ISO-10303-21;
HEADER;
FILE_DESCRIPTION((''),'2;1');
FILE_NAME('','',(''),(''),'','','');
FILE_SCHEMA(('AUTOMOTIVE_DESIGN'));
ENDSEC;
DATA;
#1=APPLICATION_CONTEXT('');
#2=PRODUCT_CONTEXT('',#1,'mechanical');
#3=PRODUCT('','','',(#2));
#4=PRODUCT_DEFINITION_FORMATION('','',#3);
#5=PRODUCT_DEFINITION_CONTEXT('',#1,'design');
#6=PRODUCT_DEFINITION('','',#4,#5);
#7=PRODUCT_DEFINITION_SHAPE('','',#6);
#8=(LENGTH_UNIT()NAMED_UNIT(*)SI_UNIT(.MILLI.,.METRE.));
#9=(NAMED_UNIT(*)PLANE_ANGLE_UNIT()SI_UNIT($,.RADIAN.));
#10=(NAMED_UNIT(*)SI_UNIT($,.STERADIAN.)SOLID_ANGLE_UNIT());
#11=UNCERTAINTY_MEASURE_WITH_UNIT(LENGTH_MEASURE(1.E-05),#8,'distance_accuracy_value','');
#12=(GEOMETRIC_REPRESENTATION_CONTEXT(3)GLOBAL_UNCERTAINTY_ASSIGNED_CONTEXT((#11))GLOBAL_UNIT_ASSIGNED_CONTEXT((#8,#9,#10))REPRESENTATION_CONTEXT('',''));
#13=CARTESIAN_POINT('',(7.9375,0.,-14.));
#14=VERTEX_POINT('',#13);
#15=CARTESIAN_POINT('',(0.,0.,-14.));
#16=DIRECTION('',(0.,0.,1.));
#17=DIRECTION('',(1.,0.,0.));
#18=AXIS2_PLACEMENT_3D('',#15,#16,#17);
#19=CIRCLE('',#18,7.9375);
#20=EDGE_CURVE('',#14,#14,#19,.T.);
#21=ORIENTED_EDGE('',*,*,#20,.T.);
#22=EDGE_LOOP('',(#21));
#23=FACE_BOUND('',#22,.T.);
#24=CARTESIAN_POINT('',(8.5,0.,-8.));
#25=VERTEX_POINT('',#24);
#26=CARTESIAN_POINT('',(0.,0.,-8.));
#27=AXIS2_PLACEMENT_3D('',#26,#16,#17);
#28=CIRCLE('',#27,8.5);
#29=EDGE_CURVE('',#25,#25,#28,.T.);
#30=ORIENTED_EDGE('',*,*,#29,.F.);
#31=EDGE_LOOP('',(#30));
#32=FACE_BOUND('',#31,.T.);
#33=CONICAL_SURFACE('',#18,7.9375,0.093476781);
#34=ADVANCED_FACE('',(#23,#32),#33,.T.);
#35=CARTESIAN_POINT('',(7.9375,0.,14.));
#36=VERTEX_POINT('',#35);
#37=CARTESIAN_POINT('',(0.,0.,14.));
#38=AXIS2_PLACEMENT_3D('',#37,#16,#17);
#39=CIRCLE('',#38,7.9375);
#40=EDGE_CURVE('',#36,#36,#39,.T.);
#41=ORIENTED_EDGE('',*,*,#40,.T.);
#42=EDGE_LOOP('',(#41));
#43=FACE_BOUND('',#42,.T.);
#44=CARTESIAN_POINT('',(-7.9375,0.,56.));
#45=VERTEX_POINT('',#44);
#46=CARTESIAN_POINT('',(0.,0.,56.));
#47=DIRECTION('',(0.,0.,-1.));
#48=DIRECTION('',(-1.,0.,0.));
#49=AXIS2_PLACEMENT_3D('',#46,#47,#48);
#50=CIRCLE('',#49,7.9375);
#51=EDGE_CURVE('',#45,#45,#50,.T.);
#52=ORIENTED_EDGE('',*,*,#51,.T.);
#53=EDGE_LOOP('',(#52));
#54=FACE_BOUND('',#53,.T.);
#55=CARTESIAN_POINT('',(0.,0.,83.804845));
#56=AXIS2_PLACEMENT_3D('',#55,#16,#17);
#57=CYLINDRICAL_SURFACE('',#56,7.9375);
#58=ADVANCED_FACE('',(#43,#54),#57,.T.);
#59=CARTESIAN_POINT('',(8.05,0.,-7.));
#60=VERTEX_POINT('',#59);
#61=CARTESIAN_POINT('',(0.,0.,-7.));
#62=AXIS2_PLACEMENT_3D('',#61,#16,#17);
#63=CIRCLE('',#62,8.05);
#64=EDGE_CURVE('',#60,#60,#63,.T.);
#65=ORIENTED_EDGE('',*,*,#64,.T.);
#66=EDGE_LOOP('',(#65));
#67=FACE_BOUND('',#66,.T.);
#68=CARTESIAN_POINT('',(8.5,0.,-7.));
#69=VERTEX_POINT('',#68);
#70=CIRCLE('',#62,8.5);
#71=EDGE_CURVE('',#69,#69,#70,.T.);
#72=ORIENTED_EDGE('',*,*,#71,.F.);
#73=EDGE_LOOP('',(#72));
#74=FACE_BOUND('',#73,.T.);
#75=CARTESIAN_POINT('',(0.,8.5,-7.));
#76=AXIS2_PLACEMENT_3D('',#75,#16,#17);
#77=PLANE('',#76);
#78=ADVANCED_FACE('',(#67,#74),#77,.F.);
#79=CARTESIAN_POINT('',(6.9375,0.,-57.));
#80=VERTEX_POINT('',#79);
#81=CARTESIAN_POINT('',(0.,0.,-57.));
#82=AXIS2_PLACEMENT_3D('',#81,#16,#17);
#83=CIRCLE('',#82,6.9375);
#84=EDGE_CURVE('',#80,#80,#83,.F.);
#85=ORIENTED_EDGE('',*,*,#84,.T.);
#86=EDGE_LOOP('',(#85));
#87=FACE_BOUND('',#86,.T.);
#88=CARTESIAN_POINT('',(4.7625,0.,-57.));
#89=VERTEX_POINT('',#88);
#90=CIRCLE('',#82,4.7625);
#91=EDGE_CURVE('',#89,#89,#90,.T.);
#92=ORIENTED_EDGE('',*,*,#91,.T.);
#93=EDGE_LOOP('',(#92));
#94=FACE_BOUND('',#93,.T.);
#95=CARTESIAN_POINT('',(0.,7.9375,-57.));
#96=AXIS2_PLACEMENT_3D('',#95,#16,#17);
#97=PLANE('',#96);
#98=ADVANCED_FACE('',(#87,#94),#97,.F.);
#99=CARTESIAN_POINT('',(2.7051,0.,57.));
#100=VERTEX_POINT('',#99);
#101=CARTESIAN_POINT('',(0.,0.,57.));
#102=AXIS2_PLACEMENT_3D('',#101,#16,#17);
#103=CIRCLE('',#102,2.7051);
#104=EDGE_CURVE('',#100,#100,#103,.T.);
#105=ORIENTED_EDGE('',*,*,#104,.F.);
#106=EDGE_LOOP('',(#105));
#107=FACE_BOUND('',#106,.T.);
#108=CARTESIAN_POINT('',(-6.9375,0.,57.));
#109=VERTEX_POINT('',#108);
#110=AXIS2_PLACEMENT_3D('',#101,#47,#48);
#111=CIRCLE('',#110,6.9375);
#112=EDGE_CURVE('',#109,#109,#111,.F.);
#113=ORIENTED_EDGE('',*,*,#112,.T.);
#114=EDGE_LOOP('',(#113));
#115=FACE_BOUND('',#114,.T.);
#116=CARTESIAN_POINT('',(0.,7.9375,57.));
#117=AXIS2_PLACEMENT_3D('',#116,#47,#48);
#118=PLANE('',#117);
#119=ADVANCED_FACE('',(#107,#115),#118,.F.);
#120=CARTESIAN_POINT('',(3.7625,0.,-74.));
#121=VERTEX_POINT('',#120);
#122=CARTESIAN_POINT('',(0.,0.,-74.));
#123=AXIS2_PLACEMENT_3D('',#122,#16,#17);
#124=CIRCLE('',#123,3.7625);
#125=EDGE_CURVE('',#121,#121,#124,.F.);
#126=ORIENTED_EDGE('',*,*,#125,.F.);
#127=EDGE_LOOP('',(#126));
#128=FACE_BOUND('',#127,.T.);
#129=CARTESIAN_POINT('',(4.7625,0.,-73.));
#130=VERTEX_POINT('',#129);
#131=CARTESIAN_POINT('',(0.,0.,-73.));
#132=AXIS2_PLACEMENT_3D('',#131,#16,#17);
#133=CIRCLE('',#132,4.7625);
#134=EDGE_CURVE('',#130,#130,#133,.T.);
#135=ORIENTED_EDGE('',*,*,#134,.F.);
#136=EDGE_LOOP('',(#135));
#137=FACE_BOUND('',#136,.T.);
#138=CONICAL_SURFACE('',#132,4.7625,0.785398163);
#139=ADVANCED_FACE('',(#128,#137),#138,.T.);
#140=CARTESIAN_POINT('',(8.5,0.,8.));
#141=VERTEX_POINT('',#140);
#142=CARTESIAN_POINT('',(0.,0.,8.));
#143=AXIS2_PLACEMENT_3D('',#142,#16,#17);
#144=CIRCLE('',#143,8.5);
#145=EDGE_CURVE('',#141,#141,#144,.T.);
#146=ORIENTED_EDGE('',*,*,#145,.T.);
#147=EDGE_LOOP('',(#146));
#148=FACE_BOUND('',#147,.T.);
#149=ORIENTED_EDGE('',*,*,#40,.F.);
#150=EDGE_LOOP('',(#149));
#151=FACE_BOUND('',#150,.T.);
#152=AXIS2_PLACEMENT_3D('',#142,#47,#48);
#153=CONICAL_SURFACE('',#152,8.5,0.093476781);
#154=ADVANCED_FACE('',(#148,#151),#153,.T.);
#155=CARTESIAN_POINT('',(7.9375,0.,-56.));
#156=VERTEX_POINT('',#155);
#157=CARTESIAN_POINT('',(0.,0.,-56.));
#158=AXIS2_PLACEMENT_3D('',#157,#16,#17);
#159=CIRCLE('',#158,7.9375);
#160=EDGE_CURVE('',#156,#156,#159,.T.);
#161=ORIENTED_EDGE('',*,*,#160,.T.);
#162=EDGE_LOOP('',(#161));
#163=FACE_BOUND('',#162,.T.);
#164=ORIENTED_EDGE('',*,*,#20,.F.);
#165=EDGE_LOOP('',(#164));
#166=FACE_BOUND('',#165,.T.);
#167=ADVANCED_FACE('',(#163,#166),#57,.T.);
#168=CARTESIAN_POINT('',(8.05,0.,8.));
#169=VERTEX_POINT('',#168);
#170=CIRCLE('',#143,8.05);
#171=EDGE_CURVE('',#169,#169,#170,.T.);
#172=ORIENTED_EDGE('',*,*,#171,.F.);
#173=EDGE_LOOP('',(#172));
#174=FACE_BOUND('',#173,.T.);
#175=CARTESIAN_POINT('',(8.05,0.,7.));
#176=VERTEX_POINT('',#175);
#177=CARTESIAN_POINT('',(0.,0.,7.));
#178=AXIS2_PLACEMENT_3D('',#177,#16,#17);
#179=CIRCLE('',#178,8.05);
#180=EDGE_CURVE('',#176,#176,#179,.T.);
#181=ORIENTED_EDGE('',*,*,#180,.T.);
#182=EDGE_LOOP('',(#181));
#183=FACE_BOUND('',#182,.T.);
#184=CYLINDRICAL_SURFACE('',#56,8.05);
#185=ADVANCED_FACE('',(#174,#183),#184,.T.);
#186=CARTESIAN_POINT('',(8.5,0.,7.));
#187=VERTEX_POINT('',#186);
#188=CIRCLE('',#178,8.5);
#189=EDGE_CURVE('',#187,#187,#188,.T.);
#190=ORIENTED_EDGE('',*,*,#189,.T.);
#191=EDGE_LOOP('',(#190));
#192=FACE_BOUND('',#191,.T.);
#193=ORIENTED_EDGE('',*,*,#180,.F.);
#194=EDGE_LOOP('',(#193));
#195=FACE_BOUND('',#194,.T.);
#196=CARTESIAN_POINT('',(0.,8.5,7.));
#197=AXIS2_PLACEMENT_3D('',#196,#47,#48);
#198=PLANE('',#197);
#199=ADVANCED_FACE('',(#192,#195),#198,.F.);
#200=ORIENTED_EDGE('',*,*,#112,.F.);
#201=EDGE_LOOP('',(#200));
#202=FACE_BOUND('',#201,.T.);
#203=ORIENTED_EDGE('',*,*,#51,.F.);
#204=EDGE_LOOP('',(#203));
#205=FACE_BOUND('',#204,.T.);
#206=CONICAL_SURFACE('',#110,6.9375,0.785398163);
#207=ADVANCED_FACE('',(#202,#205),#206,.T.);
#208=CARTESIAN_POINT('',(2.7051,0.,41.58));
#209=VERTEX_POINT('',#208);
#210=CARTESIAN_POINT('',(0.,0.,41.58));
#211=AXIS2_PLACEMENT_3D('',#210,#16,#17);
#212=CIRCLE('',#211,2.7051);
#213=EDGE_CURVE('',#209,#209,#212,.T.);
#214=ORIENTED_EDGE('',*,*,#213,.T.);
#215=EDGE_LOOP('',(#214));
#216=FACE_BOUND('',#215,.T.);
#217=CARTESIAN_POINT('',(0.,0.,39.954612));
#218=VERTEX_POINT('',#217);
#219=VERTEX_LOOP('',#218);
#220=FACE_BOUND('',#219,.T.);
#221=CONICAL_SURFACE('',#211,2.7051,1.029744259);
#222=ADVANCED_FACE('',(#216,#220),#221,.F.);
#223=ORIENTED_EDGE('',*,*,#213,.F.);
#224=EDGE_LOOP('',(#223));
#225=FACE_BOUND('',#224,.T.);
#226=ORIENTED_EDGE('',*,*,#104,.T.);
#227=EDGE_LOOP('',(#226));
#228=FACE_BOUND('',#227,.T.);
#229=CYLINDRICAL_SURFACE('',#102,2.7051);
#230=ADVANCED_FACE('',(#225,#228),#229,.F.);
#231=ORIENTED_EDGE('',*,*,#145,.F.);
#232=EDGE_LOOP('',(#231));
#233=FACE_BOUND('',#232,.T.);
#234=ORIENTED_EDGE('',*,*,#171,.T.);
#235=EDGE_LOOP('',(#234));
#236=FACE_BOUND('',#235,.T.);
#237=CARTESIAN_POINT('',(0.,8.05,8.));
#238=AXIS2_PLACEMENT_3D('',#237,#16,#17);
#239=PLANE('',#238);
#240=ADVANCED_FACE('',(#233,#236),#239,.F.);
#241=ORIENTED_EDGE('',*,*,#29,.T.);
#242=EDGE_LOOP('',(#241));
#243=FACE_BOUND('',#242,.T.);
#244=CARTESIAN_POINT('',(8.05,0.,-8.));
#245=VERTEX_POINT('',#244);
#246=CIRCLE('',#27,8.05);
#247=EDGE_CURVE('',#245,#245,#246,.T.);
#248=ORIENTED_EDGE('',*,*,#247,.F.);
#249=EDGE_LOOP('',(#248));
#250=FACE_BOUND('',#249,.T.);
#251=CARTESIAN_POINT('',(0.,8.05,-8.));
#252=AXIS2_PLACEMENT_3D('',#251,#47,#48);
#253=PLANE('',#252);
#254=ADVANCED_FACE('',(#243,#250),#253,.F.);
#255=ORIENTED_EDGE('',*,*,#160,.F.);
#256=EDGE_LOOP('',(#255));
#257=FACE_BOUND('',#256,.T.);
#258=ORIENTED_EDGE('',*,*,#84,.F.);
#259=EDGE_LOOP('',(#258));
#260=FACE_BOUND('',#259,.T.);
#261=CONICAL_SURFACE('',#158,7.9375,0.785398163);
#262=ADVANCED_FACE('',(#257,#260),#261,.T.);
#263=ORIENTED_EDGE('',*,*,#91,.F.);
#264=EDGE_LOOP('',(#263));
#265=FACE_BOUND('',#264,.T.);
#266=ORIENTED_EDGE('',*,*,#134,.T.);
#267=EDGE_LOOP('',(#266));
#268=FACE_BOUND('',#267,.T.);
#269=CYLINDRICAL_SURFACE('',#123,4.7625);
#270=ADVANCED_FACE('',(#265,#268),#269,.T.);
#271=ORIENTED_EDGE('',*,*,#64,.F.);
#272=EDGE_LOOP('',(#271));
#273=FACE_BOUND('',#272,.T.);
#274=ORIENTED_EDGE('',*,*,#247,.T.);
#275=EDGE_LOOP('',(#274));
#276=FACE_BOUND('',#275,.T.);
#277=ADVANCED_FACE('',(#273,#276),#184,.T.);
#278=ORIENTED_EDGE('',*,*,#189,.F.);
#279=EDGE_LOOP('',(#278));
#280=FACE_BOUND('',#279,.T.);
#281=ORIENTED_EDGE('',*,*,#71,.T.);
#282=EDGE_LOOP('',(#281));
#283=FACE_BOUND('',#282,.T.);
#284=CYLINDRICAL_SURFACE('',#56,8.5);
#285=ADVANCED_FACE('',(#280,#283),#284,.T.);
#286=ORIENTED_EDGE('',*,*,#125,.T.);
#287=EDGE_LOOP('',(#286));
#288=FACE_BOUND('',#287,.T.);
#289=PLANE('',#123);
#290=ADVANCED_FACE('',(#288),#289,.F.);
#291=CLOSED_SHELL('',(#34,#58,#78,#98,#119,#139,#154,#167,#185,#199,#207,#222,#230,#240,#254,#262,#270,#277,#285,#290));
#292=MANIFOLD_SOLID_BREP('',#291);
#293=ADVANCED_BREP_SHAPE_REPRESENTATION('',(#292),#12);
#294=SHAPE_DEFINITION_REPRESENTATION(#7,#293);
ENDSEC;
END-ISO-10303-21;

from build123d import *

# Parameters (mm, degrees)
CHAMFER1_SIZE               = 1
SKETCH3_R                   = 4.7625
BOSS_EXTRUDE1_DEPTH         = 17
CHAMFER2_SIZE               = 1
F_1_4_28_TAPPED_HOLE1_D     = 5.4102
F_1_4_28_TAPPED_HOLE1_DEPTH = 15.42
F_1_4_28_TAPPED_HOLE1_TIP   = 1.625388061


with BuildPart() as part:
    # Sketch1 → Revolve1 (revolve)
    with BuildSketch(Plane(origin=(0, 0, 0), x_dir=(0, 0, -1), z_dir=(1, 0, 0))):
        Polygon((-8, 8.5), (-14, 7.9375), (-35, 7.9375), (-57, 7.9375), (-57, 0), (57, 0), (57, 7.9375), (35, 7.9375), (14, 7.9375), (8, 8.5), (8, 8.05), (7, 8.05), (7, 8.5), (-7, 8.5), (-7, 8.05), (-8, 8.05), align=None)
    revolve(axis=Axis((0, 0, 83.804844788), (0, 0, -1)))

    # Chamfer1
    chamfer1_edges = [part.edges().sort_by_distance(p)[0] for p in [
        (0, -7.9375, 57),
        (0, -7.9375, -57),
    ]]
    chamfer(chamfer1_edges, length=CHAMFER1_SIZE)

    # Sketch3 → Boss-Extrude1 (add)
    with BuildSketch(Plane.XY.offset(-57)):
        Circle(SKETCH3_R)
    extrude(amount=-BOSS_EXTRUDE1_DEPTH)

    # Chamfer2
    chamfer2_edges = [part.edges().sort_by_distance(p)[0] for p in [
        (-4.7625, 0, -74),
    ]]
    chamfer(chamfer2_edges, length=CHAMFER2_SIZE)

    # 1/4-28 Tapped Hole1
    with Locations(Plane.XY.offset(57)):
        with Locations((0, 0)):
            Hole(F_1_4_28_TAPPED_HOLE1_D / 2, depth=F_1_4_28_TAPPED_HOLE1_DEPTH)
            with Locations((0, 0, -(F_1_4_28_TAPPED_HOLE1_DEPTH + F_1_4_28_TAPPED_HOLE1_TIP / 2))):  # 118° drill point
                Cone(0, F_1_4_28_TAPPED_HOLE1_D / 2, F_1_4_28_TAPPED_HOLE1_TIP, mode=Mode.SUBTRACT)


solid = part.part
